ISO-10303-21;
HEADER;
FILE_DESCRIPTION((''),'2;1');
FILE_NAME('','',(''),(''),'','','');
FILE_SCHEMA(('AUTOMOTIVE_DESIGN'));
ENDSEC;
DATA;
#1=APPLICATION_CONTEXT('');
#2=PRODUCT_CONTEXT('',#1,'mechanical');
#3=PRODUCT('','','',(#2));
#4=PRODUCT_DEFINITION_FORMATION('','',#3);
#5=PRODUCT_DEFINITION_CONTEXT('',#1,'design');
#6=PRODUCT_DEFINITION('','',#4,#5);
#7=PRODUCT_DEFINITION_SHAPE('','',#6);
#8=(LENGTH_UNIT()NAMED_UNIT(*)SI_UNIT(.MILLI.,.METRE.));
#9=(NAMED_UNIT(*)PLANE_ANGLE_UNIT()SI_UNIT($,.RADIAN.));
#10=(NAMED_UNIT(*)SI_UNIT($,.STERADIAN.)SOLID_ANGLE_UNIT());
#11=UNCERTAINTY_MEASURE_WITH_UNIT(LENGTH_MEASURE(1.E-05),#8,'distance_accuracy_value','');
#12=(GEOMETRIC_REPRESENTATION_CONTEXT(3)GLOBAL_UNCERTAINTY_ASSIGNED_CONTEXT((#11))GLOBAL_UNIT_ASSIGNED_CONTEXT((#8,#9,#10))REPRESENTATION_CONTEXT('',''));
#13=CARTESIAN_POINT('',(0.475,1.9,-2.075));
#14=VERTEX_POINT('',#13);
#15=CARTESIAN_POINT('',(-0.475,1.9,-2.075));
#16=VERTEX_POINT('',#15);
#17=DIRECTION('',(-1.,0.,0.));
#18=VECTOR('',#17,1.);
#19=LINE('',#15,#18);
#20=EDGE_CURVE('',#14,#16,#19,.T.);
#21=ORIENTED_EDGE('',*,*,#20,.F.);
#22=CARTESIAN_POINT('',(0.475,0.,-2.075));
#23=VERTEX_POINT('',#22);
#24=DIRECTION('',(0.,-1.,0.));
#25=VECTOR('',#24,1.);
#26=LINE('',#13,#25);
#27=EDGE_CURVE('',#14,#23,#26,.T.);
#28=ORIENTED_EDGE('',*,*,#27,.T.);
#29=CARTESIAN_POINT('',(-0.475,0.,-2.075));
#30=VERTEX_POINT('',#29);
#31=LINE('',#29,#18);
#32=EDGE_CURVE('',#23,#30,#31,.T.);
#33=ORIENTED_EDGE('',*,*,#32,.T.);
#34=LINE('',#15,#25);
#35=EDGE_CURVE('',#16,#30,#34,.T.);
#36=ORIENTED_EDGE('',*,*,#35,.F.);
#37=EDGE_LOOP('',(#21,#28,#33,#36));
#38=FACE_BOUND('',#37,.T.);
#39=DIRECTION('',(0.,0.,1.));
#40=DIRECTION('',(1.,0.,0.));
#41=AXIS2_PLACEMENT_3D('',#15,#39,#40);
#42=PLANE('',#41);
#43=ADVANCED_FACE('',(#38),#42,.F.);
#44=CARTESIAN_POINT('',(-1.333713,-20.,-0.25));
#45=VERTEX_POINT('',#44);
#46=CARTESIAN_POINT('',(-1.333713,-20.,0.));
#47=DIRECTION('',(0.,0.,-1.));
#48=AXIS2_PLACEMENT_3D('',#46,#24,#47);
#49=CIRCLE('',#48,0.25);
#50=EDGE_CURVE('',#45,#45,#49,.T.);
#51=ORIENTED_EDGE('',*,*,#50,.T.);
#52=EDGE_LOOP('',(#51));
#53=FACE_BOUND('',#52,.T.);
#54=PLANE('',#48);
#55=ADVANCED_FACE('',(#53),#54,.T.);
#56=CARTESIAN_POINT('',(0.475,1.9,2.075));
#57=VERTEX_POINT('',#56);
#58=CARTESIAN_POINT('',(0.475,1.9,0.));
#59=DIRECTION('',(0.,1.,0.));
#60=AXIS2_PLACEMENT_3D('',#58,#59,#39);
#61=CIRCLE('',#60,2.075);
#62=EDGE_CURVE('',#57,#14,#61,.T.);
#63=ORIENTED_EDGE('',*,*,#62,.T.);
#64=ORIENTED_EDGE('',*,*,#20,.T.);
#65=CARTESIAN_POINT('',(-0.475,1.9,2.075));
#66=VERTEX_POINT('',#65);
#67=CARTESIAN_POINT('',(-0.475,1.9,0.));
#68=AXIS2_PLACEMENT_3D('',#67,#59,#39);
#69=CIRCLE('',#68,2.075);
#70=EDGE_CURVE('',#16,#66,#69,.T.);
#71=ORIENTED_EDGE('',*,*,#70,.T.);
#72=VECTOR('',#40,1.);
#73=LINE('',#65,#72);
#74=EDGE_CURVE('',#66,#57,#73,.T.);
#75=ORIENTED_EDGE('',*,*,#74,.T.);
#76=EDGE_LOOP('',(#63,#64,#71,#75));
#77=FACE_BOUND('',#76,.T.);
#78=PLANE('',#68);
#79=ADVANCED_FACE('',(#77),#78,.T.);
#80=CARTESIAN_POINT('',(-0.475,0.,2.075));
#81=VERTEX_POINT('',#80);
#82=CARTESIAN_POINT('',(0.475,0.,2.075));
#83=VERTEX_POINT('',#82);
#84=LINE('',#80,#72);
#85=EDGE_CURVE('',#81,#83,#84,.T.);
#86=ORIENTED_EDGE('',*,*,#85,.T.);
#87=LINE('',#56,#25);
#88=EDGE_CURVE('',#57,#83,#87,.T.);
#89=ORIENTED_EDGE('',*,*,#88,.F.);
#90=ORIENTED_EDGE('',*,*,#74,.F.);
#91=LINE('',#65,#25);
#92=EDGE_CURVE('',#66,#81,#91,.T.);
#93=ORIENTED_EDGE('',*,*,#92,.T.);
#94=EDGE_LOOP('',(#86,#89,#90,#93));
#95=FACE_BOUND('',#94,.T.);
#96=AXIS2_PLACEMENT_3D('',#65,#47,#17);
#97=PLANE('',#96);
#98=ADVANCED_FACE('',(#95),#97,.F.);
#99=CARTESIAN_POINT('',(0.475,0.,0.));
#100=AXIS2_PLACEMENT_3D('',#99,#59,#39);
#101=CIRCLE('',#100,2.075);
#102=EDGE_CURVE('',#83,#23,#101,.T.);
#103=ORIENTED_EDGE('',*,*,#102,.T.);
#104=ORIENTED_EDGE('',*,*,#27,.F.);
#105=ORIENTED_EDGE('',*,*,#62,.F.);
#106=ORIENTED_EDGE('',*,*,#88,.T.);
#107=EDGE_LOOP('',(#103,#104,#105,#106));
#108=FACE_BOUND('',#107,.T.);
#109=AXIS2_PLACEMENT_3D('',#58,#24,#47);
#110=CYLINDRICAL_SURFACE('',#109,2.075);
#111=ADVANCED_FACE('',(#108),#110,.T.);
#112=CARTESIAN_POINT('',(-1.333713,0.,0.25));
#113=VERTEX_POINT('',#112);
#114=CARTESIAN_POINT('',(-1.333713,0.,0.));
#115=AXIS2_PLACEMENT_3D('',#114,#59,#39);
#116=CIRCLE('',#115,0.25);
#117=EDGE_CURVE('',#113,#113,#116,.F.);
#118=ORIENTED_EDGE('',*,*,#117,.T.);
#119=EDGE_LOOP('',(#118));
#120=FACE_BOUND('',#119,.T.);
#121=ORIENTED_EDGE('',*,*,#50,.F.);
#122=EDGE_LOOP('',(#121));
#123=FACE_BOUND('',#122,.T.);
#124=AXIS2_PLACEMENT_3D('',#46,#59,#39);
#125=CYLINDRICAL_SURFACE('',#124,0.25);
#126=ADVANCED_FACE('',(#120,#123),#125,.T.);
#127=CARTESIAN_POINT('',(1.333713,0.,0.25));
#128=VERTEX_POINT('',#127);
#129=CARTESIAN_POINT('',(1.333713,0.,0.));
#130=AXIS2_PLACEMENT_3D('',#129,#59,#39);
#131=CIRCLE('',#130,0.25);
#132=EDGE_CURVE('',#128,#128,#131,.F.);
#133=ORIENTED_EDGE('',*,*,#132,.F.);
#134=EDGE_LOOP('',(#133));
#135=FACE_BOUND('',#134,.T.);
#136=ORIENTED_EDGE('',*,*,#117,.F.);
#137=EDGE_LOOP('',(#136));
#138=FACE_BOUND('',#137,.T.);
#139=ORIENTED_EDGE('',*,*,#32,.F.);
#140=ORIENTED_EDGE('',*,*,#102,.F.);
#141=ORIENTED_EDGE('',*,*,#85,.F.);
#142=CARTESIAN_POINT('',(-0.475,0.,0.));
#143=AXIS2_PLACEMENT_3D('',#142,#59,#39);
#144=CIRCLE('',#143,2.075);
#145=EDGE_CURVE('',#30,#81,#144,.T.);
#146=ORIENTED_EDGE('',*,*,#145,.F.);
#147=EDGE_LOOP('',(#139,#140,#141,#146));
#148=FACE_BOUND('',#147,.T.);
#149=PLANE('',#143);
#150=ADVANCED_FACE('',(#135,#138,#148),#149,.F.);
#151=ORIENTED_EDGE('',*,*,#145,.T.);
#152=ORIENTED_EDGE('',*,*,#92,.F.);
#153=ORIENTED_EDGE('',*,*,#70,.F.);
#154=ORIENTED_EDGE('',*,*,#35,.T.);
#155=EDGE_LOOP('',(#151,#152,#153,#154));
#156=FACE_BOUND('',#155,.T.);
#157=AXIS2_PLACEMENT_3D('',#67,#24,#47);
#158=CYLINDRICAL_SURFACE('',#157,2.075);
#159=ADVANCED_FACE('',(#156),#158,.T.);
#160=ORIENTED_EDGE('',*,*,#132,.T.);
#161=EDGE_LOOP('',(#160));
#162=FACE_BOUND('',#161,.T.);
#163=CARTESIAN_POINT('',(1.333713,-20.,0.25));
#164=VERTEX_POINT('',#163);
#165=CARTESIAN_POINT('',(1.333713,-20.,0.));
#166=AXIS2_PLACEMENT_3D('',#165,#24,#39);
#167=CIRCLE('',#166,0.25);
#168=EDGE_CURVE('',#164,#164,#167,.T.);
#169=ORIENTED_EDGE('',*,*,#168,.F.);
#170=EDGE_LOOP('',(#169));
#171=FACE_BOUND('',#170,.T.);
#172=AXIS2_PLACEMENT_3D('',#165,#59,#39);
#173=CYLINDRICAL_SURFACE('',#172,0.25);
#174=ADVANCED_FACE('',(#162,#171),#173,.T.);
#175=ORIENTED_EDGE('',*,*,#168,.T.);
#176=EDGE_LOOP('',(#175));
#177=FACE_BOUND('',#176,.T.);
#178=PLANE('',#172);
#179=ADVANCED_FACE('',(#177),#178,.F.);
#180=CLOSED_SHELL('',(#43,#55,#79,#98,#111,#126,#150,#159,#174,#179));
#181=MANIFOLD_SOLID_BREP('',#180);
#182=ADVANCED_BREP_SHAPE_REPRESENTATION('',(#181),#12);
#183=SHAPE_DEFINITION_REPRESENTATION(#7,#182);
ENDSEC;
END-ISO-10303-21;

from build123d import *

# Parameters (mm, degrees)
SALIENTE_EXTRUIR1_DEPTH = 1.9
CROQUIS3_R              = 0.25
SALIENTE_EXTRUIR2_DEPTH = 20


with BuildPart() as part:
    # Croquis1 → Saliente-Extruir1 (new body)
    with BuildSketch(Plane(origin=(0, 0, 0), x_dir=(1, 0, 0), z_dir=(0, 1, 0))):
        with BuildLine():
            Line((-0.475, 2.075), (0.475, 2.075))
            ThreePointArc((0.475, 2.075), (2.55, 0), (0.475, -2.075))
            Line((0.475, -2.075), (-0.475, -2.075))
            ThreePointArc((-0.475, -2.075), (-2.55, 0), (-0.475, 2.075))
        make_face()
    extrude(amount=SALIENTE_EXTRUIR1_DEPTH)

    # Croquis3 → Saliente-Extruir2 (add)
    with BuildSketch(Plane.XZ):
        with Locations(Location((-1.333712644, 0, 0), (0, 0, 90))):
            Circle(CROQUIS3_R)
        with Locations(Location((1.333712644, 0, 0), (0, 0, 90))):
            Circle(CROQUIS3_R)
    extrude(amount=SALIENTE_EXTRUIR2_DEPTH)


solid = part.part
